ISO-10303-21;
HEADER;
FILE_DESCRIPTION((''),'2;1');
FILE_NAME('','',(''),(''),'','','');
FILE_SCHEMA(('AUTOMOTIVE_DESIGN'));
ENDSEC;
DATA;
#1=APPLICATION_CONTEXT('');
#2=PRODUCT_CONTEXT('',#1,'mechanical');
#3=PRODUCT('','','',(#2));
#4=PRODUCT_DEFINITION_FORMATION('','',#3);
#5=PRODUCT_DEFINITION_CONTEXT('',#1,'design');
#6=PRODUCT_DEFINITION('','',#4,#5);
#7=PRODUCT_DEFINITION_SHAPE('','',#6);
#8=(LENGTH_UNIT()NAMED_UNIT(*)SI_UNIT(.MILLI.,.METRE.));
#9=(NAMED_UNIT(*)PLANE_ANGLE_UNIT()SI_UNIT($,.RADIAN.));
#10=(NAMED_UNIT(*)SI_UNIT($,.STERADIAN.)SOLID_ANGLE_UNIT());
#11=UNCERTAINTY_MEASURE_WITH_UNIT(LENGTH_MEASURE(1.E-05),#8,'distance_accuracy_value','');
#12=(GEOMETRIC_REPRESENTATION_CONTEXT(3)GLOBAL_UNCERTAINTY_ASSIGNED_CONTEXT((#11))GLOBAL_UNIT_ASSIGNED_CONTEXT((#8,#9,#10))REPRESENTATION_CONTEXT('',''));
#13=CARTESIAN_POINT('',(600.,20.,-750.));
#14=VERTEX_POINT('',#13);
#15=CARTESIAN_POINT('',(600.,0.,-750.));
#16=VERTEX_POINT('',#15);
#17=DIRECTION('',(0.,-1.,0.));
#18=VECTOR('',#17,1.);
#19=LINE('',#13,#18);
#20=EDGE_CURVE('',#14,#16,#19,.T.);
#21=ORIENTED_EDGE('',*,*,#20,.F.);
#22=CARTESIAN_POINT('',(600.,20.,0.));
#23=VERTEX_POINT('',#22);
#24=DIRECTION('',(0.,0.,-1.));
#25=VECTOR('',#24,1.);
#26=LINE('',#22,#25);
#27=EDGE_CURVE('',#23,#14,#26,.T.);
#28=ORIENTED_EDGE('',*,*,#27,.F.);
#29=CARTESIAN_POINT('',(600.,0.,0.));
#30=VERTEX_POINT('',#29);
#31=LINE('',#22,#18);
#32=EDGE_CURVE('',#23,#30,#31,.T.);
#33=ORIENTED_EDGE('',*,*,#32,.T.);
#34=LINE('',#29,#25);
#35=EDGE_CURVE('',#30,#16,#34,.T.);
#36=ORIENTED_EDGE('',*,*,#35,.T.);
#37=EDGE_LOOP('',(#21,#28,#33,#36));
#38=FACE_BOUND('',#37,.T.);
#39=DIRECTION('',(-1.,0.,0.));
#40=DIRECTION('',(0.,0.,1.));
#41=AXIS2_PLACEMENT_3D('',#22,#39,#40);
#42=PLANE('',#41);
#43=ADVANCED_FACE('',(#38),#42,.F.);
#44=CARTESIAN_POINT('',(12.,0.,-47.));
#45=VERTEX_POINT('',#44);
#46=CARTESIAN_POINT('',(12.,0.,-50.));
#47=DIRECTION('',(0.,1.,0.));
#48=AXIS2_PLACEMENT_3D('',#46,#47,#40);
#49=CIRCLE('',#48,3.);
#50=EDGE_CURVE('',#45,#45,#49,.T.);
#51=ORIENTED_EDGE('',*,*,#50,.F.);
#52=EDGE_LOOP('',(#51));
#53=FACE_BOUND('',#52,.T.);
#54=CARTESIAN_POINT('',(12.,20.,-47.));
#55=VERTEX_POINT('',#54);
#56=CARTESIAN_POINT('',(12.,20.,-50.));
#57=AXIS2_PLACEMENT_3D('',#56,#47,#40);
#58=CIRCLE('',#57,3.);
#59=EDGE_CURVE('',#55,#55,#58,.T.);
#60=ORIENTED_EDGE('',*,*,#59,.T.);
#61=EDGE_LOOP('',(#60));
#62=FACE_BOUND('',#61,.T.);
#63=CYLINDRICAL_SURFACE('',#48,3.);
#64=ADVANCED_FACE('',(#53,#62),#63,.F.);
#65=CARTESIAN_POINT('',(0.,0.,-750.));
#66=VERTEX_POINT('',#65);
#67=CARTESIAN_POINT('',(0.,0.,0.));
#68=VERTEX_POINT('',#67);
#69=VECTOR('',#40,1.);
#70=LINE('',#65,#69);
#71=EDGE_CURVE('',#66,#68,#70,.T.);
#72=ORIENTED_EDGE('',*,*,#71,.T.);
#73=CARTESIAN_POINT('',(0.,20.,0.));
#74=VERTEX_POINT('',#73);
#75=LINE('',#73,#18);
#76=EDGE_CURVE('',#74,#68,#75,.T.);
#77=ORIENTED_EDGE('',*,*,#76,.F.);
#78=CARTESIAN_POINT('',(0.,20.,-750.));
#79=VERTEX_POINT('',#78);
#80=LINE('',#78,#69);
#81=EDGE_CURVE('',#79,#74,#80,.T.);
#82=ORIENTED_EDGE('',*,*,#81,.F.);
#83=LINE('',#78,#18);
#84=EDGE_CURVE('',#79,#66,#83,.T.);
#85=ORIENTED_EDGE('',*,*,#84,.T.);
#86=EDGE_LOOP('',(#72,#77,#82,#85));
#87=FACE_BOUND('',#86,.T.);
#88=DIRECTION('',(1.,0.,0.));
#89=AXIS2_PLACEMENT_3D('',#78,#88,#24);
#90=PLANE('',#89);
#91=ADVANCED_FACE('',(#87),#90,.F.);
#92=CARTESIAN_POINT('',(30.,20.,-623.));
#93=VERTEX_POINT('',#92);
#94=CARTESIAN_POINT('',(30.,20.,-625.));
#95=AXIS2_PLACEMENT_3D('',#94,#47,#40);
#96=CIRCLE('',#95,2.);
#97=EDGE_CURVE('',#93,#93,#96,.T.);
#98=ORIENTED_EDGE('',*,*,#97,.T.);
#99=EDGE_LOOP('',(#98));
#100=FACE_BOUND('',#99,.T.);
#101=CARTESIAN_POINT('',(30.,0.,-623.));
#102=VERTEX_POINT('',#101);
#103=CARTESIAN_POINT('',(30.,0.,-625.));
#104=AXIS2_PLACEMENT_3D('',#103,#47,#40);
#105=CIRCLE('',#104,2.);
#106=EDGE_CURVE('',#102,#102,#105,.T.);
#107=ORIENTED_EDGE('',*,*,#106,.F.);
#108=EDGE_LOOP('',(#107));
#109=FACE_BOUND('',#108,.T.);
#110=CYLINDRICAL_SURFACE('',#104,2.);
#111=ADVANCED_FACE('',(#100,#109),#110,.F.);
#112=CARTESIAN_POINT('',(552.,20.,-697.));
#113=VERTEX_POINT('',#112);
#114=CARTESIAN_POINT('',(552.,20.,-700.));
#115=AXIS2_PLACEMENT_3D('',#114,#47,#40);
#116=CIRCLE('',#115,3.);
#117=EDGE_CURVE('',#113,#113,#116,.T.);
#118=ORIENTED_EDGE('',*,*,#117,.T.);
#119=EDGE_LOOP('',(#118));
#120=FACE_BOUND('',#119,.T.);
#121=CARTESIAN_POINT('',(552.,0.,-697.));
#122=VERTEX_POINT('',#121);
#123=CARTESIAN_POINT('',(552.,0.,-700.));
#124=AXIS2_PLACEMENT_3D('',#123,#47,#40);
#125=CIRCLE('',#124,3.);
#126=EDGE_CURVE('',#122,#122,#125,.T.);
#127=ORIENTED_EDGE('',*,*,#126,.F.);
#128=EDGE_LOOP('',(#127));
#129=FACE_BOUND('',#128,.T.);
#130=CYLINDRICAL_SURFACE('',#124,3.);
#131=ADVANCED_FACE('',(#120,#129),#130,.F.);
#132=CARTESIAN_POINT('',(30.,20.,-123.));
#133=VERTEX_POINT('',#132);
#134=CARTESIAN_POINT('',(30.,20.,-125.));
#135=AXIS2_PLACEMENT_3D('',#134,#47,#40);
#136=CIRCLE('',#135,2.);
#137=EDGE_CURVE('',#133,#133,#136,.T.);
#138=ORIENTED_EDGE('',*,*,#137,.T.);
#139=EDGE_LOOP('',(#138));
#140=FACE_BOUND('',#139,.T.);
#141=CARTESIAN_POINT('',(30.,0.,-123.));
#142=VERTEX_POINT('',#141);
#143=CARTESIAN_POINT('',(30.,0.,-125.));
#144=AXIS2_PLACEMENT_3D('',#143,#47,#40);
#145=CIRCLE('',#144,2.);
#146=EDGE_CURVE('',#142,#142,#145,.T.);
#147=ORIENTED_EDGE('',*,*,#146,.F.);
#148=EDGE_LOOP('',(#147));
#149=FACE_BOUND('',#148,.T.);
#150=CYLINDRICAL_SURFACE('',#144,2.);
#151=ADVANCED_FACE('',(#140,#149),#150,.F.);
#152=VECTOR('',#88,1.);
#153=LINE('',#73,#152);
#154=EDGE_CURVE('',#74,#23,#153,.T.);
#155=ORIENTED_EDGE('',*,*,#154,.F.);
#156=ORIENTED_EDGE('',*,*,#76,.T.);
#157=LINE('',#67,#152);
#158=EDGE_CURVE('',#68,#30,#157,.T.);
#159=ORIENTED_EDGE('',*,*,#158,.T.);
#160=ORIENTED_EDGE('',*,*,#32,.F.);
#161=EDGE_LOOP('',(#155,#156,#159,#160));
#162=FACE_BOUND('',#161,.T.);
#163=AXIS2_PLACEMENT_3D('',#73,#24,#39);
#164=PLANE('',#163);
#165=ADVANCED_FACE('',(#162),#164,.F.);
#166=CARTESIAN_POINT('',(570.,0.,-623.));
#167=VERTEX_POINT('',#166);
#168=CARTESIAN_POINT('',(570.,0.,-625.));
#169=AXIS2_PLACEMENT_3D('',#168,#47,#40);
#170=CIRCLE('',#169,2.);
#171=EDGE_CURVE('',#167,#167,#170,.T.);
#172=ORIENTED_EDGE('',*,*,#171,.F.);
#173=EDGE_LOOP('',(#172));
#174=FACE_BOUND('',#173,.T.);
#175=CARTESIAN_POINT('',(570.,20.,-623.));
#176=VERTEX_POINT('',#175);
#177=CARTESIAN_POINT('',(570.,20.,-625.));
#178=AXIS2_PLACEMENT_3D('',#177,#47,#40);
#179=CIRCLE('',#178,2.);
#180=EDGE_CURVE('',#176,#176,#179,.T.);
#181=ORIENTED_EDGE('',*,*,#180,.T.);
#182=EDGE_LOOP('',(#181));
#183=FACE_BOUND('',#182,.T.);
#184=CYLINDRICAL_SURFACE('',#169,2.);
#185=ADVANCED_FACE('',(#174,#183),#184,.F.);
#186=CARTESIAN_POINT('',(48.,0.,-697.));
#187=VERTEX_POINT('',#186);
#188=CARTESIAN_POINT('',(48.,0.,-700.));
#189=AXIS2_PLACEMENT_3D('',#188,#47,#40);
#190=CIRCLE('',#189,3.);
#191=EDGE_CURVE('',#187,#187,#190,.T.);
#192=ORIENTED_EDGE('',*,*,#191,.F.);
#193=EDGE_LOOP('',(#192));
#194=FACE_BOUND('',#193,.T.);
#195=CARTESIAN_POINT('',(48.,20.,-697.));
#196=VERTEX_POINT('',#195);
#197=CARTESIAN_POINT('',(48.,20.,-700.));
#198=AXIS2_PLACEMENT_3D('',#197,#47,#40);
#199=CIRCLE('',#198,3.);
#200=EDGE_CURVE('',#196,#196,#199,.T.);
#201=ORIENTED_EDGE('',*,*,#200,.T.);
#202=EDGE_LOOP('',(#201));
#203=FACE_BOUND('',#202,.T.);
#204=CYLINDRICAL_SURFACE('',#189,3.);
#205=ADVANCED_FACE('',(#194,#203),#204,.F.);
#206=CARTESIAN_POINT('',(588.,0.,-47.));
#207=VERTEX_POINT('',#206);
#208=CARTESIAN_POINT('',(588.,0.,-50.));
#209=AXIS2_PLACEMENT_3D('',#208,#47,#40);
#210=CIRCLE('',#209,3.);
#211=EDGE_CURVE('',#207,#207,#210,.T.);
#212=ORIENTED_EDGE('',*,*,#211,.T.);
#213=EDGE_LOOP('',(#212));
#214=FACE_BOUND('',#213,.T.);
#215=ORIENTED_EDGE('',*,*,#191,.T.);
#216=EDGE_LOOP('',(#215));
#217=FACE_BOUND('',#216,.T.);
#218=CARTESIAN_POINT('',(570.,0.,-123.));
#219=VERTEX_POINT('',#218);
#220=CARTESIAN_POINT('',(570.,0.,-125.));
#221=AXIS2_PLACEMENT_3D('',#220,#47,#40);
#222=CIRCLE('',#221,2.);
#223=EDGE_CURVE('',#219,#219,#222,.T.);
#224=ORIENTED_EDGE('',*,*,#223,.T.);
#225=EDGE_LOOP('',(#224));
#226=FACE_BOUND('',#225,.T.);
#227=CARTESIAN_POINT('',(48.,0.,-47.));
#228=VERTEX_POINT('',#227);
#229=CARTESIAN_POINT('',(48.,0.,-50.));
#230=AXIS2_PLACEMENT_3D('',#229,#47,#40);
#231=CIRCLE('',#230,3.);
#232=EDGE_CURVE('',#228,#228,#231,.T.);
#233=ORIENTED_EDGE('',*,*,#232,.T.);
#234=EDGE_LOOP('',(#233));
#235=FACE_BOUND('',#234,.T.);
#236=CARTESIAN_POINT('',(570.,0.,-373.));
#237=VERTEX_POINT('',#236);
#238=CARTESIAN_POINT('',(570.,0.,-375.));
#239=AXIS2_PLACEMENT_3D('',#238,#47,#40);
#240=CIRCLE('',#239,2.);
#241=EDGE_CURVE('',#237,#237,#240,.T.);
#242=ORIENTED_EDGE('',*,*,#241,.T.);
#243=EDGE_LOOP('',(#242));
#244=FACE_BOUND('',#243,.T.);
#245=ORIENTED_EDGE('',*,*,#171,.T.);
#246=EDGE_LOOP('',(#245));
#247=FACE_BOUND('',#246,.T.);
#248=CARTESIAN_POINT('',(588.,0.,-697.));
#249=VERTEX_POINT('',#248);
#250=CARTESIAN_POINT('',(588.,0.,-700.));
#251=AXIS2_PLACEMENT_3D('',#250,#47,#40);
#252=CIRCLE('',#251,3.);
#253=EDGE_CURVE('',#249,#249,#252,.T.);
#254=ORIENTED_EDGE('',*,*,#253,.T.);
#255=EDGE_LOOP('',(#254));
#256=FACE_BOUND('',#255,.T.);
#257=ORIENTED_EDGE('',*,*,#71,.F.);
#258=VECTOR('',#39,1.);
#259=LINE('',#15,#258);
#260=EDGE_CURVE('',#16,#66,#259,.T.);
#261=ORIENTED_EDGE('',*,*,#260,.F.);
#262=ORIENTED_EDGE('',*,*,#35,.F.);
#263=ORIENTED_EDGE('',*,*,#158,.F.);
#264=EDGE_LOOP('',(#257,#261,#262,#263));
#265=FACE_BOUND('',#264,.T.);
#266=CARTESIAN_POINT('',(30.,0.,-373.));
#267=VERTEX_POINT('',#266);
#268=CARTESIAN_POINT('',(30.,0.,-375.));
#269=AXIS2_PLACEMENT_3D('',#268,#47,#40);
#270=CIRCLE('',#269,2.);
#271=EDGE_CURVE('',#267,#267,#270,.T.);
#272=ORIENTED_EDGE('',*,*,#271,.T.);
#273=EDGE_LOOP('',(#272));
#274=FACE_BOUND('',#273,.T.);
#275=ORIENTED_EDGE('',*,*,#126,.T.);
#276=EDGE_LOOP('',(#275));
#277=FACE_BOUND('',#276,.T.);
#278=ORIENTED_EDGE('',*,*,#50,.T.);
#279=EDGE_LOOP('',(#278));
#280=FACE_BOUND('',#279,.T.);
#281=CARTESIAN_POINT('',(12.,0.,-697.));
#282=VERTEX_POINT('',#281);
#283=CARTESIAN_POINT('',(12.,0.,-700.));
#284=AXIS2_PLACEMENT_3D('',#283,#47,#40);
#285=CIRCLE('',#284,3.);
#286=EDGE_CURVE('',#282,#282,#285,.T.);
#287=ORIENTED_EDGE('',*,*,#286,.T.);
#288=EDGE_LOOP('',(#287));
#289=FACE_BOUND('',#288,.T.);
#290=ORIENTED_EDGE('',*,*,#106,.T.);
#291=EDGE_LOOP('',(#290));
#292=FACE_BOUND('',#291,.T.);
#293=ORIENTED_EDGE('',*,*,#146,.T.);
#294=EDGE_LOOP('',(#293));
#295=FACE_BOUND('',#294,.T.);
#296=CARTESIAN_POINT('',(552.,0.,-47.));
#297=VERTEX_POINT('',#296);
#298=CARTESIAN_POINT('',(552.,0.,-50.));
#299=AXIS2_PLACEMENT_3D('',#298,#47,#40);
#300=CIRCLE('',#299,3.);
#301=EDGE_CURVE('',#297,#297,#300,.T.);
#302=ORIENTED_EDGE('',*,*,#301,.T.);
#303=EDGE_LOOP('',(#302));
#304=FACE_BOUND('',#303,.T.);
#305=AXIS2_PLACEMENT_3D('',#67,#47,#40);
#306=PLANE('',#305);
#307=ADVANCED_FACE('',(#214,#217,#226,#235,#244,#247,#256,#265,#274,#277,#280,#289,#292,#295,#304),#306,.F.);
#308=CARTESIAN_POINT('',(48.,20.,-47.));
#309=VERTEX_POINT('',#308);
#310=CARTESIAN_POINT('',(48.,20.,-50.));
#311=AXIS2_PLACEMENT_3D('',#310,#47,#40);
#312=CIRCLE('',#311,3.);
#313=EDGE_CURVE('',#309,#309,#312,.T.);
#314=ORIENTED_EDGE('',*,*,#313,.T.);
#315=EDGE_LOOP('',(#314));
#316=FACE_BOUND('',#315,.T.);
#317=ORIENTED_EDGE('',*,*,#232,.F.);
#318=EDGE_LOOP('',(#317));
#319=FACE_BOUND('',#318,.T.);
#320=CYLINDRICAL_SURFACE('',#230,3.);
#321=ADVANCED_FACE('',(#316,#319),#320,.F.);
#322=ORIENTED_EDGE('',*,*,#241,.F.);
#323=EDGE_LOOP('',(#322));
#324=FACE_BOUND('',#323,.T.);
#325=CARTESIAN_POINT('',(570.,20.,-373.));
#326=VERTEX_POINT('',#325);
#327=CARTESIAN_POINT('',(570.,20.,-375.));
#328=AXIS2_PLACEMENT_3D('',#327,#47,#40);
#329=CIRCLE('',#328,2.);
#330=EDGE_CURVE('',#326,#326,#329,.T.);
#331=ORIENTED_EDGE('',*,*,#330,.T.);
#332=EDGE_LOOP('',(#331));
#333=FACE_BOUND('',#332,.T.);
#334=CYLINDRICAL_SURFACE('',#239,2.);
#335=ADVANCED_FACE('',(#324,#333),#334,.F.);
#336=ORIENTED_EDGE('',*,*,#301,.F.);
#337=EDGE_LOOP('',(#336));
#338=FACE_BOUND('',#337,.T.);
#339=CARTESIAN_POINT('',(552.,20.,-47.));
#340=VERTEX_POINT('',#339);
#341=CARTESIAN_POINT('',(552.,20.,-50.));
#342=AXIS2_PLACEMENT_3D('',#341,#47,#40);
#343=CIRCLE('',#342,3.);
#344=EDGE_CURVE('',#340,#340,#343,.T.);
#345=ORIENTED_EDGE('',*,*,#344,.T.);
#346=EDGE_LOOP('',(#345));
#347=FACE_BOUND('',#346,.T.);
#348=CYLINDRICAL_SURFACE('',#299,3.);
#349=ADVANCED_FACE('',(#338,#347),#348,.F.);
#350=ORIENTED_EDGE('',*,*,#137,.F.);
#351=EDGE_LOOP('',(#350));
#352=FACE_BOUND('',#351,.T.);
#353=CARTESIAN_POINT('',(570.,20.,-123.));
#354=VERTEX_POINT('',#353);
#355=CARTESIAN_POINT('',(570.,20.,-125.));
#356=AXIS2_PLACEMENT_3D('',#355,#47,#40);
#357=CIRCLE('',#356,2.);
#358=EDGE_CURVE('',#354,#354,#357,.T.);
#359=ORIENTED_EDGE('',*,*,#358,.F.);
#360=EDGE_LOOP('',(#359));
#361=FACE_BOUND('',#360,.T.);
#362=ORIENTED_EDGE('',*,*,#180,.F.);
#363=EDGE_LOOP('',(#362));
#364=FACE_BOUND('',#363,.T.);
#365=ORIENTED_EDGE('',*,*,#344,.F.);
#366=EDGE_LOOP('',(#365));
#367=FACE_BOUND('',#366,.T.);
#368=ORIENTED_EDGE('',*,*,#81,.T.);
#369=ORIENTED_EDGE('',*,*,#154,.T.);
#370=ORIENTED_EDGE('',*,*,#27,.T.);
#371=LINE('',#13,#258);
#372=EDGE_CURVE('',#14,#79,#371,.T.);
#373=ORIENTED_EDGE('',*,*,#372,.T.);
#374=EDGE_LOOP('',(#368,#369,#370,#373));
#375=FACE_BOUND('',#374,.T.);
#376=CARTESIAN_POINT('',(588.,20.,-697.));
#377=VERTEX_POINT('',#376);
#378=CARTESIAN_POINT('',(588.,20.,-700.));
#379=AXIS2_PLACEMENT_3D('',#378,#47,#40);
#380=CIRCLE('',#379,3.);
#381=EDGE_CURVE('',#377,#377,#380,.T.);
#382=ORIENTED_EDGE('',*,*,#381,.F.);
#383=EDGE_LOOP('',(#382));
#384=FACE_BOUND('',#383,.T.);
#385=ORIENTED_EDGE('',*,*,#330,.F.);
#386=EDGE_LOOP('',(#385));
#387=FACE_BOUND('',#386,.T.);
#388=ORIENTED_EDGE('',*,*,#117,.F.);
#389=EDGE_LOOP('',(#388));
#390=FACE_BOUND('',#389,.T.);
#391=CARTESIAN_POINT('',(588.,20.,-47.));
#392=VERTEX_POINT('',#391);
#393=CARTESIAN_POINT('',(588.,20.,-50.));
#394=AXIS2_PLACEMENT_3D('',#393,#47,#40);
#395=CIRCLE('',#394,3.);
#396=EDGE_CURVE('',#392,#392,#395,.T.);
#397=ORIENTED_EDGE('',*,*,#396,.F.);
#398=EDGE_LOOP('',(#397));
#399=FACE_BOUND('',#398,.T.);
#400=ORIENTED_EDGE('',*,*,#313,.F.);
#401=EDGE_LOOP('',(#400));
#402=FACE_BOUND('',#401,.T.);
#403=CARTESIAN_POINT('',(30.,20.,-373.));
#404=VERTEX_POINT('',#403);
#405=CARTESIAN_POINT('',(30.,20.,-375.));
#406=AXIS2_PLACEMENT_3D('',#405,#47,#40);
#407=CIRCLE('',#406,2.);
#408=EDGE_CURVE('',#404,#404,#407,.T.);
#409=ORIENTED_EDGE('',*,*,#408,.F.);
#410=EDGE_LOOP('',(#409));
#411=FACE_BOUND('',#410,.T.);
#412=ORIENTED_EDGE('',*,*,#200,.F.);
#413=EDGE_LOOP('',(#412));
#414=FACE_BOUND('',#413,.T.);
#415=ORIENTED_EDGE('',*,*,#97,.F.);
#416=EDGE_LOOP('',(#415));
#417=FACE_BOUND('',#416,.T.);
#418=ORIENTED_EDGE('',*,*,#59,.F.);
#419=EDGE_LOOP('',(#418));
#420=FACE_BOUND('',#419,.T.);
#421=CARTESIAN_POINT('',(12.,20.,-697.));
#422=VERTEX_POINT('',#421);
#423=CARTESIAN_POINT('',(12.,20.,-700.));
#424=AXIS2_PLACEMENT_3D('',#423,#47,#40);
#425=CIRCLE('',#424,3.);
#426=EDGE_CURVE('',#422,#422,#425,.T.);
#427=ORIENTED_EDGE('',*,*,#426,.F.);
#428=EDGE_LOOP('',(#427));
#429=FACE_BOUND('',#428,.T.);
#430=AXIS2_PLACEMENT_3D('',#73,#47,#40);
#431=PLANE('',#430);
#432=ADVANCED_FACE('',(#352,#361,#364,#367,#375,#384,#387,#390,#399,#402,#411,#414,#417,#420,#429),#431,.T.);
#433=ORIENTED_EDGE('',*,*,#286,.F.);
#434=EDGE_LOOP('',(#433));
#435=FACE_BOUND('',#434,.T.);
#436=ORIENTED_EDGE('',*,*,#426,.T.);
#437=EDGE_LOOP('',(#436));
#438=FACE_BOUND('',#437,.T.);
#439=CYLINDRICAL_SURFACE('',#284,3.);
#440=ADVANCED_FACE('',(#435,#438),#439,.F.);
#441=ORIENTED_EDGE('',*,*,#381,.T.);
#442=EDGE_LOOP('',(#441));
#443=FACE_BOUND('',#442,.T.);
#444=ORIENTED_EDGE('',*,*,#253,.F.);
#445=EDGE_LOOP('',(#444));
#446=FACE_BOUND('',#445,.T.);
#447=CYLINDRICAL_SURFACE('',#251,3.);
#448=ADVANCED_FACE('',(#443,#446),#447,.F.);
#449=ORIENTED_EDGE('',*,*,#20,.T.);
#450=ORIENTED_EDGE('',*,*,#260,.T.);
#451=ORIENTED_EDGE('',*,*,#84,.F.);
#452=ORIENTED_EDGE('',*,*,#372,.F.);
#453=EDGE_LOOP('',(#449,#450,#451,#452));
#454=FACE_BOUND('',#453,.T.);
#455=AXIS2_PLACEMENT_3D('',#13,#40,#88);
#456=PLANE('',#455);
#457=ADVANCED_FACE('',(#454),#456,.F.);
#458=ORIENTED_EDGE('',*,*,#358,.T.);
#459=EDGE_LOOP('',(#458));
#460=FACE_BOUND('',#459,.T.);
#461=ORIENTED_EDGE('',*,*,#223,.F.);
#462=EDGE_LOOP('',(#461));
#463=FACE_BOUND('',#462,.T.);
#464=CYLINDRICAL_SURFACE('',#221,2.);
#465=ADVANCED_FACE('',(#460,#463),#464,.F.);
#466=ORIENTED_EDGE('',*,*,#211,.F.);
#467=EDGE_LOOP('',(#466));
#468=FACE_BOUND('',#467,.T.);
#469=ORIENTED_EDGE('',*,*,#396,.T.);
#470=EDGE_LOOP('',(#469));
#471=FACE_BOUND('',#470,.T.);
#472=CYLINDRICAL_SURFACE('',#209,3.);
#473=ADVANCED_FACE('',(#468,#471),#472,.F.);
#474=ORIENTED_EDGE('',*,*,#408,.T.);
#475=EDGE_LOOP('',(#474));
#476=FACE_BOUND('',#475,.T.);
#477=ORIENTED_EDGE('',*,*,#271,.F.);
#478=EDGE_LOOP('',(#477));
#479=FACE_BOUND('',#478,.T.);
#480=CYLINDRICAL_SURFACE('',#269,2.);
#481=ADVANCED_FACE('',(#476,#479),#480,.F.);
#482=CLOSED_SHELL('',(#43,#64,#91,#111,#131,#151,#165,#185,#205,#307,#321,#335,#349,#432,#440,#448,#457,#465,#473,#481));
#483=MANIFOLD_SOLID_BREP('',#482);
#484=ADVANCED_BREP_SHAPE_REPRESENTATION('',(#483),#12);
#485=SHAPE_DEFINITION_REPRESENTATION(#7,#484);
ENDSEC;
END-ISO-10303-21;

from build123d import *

# Parameters (mm, degrees)
SKETCH1_W           = 600
SKETCH1_H           = 750
BOSS_EXTRUDE1_DEPTH = 20
SKETCH5_R           = 3
CUT_EXTRUDE3_DEPTH  = 21
SKETCH6_R           = 2
CUT_EXTRUDE4_DEPTH  = 21


with BuildPart() as part:
    # Sketch1 → Boss-Extrude1 (new body)
    with BuildSketch(Plane(origin=(0, 0, 0), x_dir=(1, 0, 0), z_dir=(0, 1, 0))):
        with Locations((300, 375)):
            Rectangle(SKETCH1_W, SKETCH1_H)
    extrude(amount=BOSS_EXTRUDE1_DEPTH)

    # Sketch5 → Cut-Extrude3 (cut, through all)
    with BuildSketch(Plane(origin=(0, 20, 0), x_dir=(1, 0, 0), z_dir=(0, 1, 0))):
        with Locations((48, 50)):
            Circle(SKETCH5_R)
        with Locations((12, 50)):
            Circle(SKETCH5_R)
        with Locations((48, 700)):
            Circle(SKETCH5_R)
        with Locations((12, 700)):
            Circle(SKETCH5_R)
        with Locations((552, 50)):
            Circle(SKETCH5_R)
        with Locations((588, 50)):
            Circle(SKETCH5_R)
        with Locations((552, 700)):
            Circle(SKETCH5_R)
        with Locations((588, 700)):
            Circle(SKETCH5_R)
    extrude(amount=-CUT_EXTRUDE3_DEPTH, mode=Mode.SUBTRACT)

    # Sketch6 → Cut-Extrude4 (cut, through all)
    with BuildSketch(Plane(origin=(0, 20, 0), x_dir=(1, 0, 0), z_dir=(0, 1, 0))):
        with Locations((30, 625)):
            Circle(SKETCH6_R)
        with Locations((570, 625)):
            Circle(SKETCH6_R)
        with Locations((570, 375)):
            Circle(SKETCH6_R)
        with Locations((30, 375)):
            Circle(SKETCH6_R)
        with Locations((30, 125)):
            Circle(SKETCH6_R)
        with Locations((570, 125)):
            Circle(SKETCH6_R)
    extrude(amount=-CUT_EXTRUDE4_DEPTH, mode=Mode.SUBTRACT)


solid = part.part
